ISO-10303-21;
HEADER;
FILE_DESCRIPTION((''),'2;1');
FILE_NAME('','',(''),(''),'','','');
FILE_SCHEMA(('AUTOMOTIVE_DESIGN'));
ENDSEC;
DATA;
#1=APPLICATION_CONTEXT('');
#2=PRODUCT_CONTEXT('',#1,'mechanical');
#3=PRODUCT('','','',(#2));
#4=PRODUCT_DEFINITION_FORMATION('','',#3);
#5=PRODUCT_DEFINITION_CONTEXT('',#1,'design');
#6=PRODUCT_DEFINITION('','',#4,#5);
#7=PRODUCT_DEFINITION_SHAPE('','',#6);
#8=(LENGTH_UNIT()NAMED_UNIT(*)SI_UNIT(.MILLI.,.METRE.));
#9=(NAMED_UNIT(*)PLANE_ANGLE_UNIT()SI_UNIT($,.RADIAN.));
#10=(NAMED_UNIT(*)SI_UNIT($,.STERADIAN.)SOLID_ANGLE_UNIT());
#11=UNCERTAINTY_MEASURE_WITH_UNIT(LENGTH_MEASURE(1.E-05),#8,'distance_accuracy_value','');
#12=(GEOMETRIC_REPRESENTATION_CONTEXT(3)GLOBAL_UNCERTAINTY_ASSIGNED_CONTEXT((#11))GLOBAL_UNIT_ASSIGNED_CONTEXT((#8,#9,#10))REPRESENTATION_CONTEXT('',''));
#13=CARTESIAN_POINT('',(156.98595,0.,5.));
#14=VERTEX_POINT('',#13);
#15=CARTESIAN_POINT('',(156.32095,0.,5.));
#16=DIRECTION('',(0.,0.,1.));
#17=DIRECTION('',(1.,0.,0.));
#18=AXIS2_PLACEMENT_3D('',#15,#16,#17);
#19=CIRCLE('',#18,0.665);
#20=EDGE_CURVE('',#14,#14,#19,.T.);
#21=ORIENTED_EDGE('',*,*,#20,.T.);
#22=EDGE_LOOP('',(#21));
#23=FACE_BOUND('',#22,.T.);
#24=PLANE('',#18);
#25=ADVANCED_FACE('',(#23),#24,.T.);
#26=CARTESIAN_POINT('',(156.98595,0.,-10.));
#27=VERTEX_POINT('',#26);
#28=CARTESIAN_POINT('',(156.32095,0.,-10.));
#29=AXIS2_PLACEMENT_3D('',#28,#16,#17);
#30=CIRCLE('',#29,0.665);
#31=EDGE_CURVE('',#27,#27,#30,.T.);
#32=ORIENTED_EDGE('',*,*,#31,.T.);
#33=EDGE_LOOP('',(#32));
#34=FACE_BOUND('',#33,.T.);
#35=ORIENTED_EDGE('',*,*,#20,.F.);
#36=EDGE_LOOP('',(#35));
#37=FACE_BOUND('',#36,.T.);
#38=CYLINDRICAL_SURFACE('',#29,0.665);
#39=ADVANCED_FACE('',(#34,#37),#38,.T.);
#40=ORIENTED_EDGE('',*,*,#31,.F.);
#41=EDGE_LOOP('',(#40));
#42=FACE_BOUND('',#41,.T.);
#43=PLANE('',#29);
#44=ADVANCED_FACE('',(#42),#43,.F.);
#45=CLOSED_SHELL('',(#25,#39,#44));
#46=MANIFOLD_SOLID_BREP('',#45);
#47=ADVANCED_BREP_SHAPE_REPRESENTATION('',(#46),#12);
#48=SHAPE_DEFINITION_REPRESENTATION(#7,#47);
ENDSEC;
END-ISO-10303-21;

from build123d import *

# Parameters (mm, degrees)
SALIENTE_EXTRUIR6_DEPTH      = 5
SALIENTE_EXTRUIR6_DEPTH_BACK = 10
CROQUIS9_R                   = 0.665


with BuildPart() as part:
    # Croquis9 → Saliente-Extruir6 (new, two sides: drawn at the far end of the back side and taken through both)
    with BuildSketch(Plane.XY.offset(-SALIENTE_EXTRUIR6_DEPTH_BACK)):
        with Locations((156.320949509, 0)):
            Circle(CROQUIS9_R)
    extrude(amount=SALIENTE_EXTRUIR6_DEPTH + SALIENTE_EXTRUIR6_DEPTH_BACK)


solid = part.part
